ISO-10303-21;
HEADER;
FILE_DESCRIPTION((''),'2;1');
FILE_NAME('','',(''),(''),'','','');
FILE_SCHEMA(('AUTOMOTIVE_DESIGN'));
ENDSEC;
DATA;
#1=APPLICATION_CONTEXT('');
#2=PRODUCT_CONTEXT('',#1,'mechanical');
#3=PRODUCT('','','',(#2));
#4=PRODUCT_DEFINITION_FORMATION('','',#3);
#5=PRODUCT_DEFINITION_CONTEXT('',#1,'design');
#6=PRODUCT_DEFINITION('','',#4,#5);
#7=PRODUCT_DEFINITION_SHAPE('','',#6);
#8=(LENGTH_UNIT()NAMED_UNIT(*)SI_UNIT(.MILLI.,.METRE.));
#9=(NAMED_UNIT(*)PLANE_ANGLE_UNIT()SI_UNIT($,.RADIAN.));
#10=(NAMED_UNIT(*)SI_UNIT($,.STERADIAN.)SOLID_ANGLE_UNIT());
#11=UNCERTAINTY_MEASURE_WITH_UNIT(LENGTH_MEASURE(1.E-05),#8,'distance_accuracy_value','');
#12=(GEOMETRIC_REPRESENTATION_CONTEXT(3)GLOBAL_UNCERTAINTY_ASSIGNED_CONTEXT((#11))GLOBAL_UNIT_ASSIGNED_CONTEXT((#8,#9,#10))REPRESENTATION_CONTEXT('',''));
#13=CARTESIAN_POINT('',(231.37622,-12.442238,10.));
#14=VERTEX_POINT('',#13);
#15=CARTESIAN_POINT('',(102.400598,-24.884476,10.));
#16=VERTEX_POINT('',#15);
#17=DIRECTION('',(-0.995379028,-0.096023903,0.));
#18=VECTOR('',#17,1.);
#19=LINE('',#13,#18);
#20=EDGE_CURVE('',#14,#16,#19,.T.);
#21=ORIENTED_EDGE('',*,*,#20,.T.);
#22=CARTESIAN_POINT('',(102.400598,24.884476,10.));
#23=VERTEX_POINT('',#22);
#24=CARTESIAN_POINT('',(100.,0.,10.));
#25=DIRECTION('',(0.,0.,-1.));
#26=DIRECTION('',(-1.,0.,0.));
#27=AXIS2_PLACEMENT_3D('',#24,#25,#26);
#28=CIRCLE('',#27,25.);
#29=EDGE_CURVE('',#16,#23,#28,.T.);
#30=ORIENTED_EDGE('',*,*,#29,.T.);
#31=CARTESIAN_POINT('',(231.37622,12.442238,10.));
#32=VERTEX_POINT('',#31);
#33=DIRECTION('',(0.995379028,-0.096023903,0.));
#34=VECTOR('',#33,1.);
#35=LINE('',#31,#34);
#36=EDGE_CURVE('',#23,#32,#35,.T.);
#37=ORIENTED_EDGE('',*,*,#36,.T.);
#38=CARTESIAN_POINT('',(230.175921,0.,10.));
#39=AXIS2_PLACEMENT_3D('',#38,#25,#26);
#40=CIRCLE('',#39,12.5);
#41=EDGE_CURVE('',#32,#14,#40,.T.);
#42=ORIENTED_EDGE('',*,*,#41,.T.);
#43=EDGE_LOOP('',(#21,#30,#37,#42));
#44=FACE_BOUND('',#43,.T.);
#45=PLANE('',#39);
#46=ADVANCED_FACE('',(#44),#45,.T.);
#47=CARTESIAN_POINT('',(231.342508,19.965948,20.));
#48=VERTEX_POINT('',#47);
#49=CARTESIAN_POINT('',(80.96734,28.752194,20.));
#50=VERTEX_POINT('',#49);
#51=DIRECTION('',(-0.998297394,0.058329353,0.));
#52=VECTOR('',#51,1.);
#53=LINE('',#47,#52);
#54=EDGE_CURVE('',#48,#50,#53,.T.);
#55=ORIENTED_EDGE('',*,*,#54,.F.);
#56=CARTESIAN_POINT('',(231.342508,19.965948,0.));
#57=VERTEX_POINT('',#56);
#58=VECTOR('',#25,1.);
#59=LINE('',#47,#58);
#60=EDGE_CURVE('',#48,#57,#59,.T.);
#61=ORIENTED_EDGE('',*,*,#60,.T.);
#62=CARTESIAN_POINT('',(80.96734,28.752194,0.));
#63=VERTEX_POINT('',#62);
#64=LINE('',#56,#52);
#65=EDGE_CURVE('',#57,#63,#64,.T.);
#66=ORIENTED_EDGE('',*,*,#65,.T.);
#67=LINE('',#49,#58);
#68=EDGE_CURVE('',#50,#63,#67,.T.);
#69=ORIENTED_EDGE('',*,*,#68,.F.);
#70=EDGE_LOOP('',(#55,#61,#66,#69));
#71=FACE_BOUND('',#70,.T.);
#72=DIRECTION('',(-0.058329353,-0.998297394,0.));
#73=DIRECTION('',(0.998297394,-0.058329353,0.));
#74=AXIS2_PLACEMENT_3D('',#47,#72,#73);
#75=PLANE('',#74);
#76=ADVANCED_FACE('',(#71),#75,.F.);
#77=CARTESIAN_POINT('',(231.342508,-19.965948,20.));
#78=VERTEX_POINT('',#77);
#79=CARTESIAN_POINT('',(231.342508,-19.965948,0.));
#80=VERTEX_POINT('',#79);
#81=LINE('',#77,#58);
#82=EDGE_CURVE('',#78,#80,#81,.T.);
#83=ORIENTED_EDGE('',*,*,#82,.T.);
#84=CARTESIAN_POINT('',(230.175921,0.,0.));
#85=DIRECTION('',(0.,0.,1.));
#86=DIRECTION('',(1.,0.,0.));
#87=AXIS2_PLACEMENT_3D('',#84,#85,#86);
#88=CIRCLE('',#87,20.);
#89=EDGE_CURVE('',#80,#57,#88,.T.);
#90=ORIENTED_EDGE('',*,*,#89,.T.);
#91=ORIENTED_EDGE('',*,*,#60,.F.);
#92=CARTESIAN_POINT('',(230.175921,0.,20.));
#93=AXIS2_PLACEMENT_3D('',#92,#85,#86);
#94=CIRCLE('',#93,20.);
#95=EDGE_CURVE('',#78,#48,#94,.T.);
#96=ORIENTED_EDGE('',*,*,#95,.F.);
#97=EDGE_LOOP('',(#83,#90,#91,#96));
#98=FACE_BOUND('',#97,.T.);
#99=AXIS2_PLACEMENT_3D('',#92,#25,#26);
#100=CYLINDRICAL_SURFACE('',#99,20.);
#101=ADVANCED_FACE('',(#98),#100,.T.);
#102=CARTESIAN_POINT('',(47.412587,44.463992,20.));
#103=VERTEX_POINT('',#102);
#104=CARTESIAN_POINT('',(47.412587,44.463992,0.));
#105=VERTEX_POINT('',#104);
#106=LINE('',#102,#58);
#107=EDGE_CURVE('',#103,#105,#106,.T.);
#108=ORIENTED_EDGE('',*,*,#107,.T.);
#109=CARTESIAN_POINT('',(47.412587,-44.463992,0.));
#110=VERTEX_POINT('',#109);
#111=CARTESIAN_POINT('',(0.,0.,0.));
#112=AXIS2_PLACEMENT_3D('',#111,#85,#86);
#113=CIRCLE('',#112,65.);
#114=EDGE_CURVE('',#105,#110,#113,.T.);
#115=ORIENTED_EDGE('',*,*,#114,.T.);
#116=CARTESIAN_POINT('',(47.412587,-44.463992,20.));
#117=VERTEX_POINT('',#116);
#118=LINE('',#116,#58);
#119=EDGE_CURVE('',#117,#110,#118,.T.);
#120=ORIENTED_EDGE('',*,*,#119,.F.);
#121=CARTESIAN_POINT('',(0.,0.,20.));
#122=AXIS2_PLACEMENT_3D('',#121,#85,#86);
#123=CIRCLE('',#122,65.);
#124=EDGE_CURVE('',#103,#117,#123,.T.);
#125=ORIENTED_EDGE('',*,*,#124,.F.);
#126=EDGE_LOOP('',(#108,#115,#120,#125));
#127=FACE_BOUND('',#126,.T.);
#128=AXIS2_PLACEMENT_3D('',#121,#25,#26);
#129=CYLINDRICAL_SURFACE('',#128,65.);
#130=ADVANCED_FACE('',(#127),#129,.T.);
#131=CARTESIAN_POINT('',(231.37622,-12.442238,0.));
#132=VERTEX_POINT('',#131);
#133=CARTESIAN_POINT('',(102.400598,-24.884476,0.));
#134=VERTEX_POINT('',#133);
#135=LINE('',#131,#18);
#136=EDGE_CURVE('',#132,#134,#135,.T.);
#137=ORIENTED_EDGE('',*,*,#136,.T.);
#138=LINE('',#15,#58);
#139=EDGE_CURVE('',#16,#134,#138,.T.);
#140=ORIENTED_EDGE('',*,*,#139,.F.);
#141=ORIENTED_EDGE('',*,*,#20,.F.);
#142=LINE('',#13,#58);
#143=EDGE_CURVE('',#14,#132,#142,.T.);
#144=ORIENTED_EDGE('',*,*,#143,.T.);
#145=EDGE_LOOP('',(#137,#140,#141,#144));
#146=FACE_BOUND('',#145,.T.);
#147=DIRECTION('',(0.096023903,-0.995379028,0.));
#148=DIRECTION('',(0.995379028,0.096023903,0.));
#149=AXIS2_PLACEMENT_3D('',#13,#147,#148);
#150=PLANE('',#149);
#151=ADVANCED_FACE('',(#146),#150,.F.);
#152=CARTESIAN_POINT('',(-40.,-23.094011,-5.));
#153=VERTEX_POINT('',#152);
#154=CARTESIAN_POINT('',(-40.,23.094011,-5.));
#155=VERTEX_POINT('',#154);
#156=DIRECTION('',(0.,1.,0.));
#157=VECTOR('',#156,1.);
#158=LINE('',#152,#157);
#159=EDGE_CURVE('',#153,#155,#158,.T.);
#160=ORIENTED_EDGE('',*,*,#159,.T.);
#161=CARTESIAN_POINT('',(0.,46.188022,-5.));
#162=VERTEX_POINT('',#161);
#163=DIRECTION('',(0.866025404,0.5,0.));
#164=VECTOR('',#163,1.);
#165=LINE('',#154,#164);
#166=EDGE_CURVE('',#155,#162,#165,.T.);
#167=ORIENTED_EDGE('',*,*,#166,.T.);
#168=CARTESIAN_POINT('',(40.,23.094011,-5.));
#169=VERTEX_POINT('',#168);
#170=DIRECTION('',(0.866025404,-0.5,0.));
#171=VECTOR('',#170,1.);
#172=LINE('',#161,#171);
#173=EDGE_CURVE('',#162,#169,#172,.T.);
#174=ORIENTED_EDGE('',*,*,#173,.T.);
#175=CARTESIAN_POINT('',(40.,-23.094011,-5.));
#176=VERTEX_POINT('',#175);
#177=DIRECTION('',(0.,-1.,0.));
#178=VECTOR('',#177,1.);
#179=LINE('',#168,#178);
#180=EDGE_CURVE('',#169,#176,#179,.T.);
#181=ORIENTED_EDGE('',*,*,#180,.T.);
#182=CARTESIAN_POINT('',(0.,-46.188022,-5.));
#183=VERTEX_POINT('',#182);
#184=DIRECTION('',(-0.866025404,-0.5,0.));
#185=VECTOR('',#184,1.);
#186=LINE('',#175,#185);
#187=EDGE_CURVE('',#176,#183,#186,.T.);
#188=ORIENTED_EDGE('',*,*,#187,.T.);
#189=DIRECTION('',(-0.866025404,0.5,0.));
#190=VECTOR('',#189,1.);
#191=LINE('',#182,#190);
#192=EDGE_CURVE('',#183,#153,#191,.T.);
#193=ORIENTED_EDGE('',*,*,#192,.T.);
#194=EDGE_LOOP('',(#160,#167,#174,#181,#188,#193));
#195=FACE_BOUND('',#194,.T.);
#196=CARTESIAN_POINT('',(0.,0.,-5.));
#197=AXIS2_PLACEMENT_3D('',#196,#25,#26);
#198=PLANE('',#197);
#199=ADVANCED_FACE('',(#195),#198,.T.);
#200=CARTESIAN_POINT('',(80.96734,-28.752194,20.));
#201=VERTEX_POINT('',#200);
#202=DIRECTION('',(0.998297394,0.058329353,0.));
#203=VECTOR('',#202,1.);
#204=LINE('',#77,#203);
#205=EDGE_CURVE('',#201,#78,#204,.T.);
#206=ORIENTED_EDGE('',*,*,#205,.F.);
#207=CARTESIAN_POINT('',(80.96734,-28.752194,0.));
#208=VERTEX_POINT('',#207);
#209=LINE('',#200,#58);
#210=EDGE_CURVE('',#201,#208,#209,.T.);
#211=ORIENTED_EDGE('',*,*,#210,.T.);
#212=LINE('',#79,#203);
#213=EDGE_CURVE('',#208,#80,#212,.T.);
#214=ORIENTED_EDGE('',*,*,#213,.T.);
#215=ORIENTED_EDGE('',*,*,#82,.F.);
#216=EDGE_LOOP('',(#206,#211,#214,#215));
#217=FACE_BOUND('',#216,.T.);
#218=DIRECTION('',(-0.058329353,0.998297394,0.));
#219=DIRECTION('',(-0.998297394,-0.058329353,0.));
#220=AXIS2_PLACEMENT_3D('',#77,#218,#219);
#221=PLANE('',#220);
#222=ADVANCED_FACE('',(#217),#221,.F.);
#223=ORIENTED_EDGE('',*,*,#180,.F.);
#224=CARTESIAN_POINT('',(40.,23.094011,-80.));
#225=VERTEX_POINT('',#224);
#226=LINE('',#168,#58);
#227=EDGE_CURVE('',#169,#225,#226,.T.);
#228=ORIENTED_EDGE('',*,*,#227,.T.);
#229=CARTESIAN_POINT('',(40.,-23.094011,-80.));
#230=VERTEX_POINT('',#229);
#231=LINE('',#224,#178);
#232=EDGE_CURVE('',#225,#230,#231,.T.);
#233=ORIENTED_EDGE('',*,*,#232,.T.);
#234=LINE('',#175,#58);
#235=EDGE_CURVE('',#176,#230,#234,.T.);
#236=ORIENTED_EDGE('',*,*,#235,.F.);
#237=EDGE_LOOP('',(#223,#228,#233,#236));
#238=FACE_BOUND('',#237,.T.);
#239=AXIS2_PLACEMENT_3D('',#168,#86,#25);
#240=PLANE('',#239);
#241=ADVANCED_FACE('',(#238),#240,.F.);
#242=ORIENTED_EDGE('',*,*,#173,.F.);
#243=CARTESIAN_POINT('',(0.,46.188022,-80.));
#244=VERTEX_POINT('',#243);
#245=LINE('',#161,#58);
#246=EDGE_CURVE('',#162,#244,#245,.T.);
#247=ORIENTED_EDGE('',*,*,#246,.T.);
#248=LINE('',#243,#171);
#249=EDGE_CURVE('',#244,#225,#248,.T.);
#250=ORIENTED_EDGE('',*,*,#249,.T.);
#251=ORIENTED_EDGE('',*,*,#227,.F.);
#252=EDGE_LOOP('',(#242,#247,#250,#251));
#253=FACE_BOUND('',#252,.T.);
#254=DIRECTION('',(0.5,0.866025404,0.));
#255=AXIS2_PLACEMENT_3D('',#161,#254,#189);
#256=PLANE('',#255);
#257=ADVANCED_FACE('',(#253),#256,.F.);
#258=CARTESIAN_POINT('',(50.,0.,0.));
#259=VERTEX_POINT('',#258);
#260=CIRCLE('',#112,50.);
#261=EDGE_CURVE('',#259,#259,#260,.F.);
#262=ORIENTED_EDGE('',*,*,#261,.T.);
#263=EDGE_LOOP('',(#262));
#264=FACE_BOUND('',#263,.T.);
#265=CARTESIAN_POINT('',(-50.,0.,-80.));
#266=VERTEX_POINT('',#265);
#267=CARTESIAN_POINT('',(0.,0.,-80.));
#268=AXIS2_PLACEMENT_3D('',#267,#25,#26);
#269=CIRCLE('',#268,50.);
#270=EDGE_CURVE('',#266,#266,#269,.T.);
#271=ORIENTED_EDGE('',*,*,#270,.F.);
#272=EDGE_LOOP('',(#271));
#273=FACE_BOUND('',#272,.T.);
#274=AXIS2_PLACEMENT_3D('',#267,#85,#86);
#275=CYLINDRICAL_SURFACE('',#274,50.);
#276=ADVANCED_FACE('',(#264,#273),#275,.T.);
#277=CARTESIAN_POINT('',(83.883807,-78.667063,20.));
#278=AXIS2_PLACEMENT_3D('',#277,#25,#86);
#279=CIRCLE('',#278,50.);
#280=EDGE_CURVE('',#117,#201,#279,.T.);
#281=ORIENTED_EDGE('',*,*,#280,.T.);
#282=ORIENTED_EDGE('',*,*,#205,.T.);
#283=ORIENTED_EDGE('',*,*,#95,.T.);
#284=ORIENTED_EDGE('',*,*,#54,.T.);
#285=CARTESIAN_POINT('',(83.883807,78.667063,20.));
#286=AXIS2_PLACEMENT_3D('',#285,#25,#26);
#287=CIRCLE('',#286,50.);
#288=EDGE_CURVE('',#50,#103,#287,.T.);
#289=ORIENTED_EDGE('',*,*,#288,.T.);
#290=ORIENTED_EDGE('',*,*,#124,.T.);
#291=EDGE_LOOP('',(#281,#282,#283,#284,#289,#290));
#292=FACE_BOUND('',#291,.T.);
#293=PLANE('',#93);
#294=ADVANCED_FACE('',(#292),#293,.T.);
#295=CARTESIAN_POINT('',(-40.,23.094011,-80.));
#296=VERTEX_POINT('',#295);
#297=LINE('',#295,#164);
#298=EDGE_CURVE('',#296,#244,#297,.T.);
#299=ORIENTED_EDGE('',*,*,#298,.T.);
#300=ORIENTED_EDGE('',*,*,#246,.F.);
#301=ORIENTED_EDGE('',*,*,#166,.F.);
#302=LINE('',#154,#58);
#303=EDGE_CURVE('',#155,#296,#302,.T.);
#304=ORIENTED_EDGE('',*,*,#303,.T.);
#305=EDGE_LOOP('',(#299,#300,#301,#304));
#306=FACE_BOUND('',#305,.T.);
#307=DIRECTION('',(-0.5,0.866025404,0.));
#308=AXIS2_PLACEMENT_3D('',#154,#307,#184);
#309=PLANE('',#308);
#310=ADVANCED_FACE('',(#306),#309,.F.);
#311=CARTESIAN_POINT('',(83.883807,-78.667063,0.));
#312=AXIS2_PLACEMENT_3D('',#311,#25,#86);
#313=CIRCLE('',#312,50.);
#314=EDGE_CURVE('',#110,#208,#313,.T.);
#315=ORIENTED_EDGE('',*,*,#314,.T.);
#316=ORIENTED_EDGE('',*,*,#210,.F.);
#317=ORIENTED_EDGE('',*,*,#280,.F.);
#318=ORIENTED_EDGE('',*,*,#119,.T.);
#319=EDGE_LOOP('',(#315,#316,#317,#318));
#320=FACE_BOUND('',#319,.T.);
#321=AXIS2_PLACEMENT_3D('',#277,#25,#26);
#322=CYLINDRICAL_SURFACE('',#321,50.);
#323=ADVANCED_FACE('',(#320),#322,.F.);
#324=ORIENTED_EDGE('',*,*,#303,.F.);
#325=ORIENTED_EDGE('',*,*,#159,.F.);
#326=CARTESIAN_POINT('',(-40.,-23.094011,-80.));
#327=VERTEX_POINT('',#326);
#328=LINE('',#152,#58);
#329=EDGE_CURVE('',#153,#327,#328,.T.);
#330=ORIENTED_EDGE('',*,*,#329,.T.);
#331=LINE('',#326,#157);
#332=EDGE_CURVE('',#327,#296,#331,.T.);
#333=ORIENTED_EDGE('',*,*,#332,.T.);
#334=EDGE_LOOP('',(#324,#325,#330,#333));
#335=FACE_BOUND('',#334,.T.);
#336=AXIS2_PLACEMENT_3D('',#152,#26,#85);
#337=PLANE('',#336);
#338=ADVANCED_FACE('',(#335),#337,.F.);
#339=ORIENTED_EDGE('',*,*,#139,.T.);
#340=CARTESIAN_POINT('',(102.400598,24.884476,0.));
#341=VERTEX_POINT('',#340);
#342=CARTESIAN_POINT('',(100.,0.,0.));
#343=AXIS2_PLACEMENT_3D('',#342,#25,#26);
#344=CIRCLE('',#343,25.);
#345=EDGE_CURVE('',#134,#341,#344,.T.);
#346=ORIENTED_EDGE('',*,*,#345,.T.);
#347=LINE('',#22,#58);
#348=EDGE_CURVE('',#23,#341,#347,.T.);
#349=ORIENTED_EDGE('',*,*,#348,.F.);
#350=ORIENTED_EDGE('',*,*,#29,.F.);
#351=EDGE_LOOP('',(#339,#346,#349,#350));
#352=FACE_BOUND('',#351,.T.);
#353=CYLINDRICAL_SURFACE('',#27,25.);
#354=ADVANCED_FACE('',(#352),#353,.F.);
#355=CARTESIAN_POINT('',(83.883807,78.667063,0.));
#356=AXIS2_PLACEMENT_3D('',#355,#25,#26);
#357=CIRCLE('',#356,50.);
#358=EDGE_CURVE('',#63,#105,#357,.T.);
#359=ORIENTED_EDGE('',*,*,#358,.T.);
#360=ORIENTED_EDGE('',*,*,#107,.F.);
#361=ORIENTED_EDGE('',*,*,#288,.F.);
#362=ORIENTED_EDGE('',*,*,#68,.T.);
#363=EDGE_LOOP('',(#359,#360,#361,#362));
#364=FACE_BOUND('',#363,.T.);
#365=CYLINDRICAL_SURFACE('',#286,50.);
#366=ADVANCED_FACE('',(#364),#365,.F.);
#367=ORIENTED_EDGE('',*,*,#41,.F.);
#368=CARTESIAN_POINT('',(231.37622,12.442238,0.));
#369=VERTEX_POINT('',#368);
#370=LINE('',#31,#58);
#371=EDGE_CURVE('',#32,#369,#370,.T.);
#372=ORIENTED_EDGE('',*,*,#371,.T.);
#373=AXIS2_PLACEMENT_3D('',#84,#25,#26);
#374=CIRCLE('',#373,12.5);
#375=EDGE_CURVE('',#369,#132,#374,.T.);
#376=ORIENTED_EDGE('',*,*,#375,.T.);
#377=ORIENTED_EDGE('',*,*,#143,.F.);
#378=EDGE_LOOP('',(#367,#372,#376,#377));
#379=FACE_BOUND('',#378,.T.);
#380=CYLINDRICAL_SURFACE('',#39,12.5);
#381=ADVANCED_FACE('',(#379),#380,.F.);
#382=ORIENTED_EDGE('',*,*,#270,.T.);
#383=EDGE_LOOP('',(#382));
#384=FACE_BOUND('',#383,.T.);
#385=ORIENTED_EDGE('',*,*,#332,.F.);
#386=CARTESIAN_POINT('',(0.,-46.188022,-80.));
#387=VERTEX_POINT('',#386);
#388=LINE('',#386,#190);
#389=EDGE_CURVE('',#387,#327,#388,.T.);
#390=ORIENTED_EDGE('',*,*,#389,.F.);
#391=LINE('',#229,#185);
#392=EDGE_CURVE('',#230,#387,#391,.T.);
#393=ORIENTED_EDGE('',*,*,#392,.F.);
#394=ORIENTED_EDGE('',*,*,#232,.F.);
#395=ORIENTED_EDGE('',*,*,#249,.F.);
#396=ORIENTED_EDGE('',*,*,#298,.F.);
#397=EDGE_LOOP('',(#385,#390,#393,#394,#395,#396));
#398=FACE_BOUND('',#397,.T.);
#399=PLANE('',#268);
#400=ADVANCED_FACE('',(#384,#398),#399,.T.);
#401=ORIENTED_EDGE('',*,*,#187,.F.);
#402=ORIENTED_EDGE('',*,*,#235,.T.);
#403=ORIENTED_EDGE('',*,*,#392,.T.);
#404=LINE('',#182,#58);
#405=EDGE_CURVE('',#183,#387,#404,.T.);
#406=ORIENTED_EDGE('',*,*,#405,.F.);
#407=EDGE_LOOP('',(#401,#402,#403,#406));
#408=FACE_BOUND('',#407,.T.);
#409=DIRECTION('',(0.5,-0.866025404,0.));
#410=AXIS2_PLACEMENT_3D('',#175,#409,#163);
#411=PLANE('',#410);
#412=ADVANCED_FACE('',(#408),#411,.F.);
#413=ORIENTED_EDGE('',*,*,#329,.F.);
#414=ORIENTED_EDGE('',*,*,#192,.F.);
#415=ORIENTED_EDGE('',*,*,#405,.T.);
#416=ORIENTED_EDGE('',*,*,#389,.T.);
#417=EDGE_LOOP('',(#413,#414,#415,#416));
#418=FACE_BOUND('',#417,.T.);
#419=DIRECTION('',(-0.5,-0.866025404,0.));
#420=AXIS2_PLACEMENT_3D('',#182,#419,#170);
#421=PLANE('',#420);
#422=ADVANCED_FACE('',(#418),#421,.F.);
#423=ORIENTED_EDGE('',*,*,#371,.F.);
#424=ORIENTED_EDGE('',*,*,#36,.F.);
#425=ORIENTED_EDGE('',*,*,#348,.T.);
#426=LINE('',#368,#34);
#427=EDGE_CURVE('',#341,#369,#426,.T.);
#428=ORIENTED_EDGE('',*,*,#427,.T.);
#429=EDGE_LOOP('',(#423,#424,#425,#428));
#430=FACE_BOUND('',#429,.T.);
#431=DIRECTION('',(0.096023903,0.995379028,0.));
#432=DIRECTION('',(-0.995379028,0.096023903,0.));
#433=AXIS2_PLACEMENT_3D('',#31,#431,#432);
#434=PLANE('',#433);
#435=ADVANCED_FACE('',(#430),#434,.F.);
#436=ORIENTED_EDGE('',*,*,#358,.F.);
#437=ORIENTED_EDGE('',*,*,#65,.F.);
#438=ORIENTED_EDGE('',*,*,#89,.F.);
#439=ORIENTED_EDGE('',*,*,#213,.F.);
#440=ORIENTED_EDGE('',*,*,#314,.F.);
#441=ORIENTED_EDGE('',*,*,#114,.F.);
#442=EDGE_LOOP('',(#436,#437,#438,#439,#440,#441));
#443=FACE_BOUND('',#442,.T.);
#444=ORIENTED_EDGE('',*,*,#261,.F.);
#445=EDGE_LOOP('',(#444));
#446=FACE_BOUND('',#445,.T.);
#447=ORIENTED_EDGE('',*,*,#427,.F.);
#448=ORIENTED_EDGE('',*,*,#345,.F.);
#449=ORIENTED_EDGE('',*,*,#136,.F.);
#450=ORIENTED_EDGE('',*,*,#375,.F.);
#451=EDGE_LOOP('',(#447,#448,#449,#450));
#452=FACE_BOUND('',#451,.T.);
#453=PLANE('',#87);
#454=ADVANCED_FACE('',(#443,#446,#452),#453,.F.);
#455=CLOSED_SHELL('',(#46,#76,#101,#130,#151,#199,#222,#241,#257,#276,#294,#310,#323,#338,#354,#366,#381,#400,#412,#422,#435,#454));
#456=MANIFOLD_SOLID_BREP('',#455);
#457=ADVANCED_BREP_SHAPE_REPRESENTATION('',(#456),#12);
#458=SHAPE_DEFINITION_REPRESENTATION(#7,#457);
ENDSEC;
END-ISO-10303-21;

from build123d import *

# Parameters (mm, degrees)
BOSS_EXTRUDE1_DEPTH = 20
CUT_EXTRUDE1_DEPTH  = 10
SKETCH9_R           = 50
BOSS_EXTRUDE4_DEPTH = 80
CUT_EXTRUDE4_DEPTH  = 75


with BuildPart() as part:
    # Sketch3 → Boss-Extrude1 (new body)
    with BuildSketch(Plane.XY):
        with BuildLine():
            Line((231.34250824, 19.965947877), (80.967339763, 28.752193652))
            ThreePointArc((80.967339763, 28.752193652), (62.680914893, 33.385308199), (47.412586794, 44.463992326))
            ThreePointArc((47.412586794, 44.463992326), (-65, 0), (47.412586794, -44.463992326))
            ThreePointArc((47.412586794, -44.463992326), (62.680914893, -33.385308199), (80.967339763, -28.752193652))
            Line((80.967339763, -28.752193652), (231.34250824, -19.965947877))
            ThreePointArc((231.34250824, -19.965947877), (250.175921184, 0), (231.34250824, 19.965947877))
        make_face()
    extrude(amount=BOSS_EXTRUDE1_DEPTH)

    # Sketch4 → Cut-Extrude1 (cut)
    with BuildSketch(Plane(origin=(0, 0, 0), x_dir=(-1, 0, 0), z_dir=(0, 0, -1))):
        with BuildLine():
            Line((-231.376219968, -12.442237854), (-102.400597569, -24.884475709))
            ThreePointArc((-102.400597569, -24.884475709), (-75, 0), (-102.400597569, 24.884475709))
            Line((-102.400597569, 24.884475709), (-231.376219968, 12.442237854))
            ThreePointArc((-231.376219968, 12.442237854), (-242.675921184, 0), (-231.376219968, -12.442237854))
        make_face()
    extrude(amount=-CUT_EXTRUDE1_DEPTH, mode=Mode.SUBTRACT)

    # Sketch9 → Boss-Extrude4 (add)
    with BuildSketch(Plane(origin=(0, 0, 0), x_dir=(-1, 0, 0), z_dir=(0, 0, -1))):
        with Locations(Location((0, 0, 0), (0, 0, 180))):
            Circle(SKETCH9_R)
    extrude(amount=BOSS_EXTRUDE4_DEPTH)

    # Sketch10 → Cut-Extrude4 (cut)
    with BuildSketch(Plane(origin=(0, 0, -80), x_dir=(-1, 0, 0), z_dir=(0, 0, -1))):
        Polygon((0, 46.188021535), (-40, 23.094010768), (-40, -23.094010768), (0, -46.188021535), (40, -23.094010768), (40, 23.094010768), align=None)
    extrude(amount=-CUT_EXTRUDE4_DEPTH, mode=Mode.SUBTRACT)


solid = part.part
